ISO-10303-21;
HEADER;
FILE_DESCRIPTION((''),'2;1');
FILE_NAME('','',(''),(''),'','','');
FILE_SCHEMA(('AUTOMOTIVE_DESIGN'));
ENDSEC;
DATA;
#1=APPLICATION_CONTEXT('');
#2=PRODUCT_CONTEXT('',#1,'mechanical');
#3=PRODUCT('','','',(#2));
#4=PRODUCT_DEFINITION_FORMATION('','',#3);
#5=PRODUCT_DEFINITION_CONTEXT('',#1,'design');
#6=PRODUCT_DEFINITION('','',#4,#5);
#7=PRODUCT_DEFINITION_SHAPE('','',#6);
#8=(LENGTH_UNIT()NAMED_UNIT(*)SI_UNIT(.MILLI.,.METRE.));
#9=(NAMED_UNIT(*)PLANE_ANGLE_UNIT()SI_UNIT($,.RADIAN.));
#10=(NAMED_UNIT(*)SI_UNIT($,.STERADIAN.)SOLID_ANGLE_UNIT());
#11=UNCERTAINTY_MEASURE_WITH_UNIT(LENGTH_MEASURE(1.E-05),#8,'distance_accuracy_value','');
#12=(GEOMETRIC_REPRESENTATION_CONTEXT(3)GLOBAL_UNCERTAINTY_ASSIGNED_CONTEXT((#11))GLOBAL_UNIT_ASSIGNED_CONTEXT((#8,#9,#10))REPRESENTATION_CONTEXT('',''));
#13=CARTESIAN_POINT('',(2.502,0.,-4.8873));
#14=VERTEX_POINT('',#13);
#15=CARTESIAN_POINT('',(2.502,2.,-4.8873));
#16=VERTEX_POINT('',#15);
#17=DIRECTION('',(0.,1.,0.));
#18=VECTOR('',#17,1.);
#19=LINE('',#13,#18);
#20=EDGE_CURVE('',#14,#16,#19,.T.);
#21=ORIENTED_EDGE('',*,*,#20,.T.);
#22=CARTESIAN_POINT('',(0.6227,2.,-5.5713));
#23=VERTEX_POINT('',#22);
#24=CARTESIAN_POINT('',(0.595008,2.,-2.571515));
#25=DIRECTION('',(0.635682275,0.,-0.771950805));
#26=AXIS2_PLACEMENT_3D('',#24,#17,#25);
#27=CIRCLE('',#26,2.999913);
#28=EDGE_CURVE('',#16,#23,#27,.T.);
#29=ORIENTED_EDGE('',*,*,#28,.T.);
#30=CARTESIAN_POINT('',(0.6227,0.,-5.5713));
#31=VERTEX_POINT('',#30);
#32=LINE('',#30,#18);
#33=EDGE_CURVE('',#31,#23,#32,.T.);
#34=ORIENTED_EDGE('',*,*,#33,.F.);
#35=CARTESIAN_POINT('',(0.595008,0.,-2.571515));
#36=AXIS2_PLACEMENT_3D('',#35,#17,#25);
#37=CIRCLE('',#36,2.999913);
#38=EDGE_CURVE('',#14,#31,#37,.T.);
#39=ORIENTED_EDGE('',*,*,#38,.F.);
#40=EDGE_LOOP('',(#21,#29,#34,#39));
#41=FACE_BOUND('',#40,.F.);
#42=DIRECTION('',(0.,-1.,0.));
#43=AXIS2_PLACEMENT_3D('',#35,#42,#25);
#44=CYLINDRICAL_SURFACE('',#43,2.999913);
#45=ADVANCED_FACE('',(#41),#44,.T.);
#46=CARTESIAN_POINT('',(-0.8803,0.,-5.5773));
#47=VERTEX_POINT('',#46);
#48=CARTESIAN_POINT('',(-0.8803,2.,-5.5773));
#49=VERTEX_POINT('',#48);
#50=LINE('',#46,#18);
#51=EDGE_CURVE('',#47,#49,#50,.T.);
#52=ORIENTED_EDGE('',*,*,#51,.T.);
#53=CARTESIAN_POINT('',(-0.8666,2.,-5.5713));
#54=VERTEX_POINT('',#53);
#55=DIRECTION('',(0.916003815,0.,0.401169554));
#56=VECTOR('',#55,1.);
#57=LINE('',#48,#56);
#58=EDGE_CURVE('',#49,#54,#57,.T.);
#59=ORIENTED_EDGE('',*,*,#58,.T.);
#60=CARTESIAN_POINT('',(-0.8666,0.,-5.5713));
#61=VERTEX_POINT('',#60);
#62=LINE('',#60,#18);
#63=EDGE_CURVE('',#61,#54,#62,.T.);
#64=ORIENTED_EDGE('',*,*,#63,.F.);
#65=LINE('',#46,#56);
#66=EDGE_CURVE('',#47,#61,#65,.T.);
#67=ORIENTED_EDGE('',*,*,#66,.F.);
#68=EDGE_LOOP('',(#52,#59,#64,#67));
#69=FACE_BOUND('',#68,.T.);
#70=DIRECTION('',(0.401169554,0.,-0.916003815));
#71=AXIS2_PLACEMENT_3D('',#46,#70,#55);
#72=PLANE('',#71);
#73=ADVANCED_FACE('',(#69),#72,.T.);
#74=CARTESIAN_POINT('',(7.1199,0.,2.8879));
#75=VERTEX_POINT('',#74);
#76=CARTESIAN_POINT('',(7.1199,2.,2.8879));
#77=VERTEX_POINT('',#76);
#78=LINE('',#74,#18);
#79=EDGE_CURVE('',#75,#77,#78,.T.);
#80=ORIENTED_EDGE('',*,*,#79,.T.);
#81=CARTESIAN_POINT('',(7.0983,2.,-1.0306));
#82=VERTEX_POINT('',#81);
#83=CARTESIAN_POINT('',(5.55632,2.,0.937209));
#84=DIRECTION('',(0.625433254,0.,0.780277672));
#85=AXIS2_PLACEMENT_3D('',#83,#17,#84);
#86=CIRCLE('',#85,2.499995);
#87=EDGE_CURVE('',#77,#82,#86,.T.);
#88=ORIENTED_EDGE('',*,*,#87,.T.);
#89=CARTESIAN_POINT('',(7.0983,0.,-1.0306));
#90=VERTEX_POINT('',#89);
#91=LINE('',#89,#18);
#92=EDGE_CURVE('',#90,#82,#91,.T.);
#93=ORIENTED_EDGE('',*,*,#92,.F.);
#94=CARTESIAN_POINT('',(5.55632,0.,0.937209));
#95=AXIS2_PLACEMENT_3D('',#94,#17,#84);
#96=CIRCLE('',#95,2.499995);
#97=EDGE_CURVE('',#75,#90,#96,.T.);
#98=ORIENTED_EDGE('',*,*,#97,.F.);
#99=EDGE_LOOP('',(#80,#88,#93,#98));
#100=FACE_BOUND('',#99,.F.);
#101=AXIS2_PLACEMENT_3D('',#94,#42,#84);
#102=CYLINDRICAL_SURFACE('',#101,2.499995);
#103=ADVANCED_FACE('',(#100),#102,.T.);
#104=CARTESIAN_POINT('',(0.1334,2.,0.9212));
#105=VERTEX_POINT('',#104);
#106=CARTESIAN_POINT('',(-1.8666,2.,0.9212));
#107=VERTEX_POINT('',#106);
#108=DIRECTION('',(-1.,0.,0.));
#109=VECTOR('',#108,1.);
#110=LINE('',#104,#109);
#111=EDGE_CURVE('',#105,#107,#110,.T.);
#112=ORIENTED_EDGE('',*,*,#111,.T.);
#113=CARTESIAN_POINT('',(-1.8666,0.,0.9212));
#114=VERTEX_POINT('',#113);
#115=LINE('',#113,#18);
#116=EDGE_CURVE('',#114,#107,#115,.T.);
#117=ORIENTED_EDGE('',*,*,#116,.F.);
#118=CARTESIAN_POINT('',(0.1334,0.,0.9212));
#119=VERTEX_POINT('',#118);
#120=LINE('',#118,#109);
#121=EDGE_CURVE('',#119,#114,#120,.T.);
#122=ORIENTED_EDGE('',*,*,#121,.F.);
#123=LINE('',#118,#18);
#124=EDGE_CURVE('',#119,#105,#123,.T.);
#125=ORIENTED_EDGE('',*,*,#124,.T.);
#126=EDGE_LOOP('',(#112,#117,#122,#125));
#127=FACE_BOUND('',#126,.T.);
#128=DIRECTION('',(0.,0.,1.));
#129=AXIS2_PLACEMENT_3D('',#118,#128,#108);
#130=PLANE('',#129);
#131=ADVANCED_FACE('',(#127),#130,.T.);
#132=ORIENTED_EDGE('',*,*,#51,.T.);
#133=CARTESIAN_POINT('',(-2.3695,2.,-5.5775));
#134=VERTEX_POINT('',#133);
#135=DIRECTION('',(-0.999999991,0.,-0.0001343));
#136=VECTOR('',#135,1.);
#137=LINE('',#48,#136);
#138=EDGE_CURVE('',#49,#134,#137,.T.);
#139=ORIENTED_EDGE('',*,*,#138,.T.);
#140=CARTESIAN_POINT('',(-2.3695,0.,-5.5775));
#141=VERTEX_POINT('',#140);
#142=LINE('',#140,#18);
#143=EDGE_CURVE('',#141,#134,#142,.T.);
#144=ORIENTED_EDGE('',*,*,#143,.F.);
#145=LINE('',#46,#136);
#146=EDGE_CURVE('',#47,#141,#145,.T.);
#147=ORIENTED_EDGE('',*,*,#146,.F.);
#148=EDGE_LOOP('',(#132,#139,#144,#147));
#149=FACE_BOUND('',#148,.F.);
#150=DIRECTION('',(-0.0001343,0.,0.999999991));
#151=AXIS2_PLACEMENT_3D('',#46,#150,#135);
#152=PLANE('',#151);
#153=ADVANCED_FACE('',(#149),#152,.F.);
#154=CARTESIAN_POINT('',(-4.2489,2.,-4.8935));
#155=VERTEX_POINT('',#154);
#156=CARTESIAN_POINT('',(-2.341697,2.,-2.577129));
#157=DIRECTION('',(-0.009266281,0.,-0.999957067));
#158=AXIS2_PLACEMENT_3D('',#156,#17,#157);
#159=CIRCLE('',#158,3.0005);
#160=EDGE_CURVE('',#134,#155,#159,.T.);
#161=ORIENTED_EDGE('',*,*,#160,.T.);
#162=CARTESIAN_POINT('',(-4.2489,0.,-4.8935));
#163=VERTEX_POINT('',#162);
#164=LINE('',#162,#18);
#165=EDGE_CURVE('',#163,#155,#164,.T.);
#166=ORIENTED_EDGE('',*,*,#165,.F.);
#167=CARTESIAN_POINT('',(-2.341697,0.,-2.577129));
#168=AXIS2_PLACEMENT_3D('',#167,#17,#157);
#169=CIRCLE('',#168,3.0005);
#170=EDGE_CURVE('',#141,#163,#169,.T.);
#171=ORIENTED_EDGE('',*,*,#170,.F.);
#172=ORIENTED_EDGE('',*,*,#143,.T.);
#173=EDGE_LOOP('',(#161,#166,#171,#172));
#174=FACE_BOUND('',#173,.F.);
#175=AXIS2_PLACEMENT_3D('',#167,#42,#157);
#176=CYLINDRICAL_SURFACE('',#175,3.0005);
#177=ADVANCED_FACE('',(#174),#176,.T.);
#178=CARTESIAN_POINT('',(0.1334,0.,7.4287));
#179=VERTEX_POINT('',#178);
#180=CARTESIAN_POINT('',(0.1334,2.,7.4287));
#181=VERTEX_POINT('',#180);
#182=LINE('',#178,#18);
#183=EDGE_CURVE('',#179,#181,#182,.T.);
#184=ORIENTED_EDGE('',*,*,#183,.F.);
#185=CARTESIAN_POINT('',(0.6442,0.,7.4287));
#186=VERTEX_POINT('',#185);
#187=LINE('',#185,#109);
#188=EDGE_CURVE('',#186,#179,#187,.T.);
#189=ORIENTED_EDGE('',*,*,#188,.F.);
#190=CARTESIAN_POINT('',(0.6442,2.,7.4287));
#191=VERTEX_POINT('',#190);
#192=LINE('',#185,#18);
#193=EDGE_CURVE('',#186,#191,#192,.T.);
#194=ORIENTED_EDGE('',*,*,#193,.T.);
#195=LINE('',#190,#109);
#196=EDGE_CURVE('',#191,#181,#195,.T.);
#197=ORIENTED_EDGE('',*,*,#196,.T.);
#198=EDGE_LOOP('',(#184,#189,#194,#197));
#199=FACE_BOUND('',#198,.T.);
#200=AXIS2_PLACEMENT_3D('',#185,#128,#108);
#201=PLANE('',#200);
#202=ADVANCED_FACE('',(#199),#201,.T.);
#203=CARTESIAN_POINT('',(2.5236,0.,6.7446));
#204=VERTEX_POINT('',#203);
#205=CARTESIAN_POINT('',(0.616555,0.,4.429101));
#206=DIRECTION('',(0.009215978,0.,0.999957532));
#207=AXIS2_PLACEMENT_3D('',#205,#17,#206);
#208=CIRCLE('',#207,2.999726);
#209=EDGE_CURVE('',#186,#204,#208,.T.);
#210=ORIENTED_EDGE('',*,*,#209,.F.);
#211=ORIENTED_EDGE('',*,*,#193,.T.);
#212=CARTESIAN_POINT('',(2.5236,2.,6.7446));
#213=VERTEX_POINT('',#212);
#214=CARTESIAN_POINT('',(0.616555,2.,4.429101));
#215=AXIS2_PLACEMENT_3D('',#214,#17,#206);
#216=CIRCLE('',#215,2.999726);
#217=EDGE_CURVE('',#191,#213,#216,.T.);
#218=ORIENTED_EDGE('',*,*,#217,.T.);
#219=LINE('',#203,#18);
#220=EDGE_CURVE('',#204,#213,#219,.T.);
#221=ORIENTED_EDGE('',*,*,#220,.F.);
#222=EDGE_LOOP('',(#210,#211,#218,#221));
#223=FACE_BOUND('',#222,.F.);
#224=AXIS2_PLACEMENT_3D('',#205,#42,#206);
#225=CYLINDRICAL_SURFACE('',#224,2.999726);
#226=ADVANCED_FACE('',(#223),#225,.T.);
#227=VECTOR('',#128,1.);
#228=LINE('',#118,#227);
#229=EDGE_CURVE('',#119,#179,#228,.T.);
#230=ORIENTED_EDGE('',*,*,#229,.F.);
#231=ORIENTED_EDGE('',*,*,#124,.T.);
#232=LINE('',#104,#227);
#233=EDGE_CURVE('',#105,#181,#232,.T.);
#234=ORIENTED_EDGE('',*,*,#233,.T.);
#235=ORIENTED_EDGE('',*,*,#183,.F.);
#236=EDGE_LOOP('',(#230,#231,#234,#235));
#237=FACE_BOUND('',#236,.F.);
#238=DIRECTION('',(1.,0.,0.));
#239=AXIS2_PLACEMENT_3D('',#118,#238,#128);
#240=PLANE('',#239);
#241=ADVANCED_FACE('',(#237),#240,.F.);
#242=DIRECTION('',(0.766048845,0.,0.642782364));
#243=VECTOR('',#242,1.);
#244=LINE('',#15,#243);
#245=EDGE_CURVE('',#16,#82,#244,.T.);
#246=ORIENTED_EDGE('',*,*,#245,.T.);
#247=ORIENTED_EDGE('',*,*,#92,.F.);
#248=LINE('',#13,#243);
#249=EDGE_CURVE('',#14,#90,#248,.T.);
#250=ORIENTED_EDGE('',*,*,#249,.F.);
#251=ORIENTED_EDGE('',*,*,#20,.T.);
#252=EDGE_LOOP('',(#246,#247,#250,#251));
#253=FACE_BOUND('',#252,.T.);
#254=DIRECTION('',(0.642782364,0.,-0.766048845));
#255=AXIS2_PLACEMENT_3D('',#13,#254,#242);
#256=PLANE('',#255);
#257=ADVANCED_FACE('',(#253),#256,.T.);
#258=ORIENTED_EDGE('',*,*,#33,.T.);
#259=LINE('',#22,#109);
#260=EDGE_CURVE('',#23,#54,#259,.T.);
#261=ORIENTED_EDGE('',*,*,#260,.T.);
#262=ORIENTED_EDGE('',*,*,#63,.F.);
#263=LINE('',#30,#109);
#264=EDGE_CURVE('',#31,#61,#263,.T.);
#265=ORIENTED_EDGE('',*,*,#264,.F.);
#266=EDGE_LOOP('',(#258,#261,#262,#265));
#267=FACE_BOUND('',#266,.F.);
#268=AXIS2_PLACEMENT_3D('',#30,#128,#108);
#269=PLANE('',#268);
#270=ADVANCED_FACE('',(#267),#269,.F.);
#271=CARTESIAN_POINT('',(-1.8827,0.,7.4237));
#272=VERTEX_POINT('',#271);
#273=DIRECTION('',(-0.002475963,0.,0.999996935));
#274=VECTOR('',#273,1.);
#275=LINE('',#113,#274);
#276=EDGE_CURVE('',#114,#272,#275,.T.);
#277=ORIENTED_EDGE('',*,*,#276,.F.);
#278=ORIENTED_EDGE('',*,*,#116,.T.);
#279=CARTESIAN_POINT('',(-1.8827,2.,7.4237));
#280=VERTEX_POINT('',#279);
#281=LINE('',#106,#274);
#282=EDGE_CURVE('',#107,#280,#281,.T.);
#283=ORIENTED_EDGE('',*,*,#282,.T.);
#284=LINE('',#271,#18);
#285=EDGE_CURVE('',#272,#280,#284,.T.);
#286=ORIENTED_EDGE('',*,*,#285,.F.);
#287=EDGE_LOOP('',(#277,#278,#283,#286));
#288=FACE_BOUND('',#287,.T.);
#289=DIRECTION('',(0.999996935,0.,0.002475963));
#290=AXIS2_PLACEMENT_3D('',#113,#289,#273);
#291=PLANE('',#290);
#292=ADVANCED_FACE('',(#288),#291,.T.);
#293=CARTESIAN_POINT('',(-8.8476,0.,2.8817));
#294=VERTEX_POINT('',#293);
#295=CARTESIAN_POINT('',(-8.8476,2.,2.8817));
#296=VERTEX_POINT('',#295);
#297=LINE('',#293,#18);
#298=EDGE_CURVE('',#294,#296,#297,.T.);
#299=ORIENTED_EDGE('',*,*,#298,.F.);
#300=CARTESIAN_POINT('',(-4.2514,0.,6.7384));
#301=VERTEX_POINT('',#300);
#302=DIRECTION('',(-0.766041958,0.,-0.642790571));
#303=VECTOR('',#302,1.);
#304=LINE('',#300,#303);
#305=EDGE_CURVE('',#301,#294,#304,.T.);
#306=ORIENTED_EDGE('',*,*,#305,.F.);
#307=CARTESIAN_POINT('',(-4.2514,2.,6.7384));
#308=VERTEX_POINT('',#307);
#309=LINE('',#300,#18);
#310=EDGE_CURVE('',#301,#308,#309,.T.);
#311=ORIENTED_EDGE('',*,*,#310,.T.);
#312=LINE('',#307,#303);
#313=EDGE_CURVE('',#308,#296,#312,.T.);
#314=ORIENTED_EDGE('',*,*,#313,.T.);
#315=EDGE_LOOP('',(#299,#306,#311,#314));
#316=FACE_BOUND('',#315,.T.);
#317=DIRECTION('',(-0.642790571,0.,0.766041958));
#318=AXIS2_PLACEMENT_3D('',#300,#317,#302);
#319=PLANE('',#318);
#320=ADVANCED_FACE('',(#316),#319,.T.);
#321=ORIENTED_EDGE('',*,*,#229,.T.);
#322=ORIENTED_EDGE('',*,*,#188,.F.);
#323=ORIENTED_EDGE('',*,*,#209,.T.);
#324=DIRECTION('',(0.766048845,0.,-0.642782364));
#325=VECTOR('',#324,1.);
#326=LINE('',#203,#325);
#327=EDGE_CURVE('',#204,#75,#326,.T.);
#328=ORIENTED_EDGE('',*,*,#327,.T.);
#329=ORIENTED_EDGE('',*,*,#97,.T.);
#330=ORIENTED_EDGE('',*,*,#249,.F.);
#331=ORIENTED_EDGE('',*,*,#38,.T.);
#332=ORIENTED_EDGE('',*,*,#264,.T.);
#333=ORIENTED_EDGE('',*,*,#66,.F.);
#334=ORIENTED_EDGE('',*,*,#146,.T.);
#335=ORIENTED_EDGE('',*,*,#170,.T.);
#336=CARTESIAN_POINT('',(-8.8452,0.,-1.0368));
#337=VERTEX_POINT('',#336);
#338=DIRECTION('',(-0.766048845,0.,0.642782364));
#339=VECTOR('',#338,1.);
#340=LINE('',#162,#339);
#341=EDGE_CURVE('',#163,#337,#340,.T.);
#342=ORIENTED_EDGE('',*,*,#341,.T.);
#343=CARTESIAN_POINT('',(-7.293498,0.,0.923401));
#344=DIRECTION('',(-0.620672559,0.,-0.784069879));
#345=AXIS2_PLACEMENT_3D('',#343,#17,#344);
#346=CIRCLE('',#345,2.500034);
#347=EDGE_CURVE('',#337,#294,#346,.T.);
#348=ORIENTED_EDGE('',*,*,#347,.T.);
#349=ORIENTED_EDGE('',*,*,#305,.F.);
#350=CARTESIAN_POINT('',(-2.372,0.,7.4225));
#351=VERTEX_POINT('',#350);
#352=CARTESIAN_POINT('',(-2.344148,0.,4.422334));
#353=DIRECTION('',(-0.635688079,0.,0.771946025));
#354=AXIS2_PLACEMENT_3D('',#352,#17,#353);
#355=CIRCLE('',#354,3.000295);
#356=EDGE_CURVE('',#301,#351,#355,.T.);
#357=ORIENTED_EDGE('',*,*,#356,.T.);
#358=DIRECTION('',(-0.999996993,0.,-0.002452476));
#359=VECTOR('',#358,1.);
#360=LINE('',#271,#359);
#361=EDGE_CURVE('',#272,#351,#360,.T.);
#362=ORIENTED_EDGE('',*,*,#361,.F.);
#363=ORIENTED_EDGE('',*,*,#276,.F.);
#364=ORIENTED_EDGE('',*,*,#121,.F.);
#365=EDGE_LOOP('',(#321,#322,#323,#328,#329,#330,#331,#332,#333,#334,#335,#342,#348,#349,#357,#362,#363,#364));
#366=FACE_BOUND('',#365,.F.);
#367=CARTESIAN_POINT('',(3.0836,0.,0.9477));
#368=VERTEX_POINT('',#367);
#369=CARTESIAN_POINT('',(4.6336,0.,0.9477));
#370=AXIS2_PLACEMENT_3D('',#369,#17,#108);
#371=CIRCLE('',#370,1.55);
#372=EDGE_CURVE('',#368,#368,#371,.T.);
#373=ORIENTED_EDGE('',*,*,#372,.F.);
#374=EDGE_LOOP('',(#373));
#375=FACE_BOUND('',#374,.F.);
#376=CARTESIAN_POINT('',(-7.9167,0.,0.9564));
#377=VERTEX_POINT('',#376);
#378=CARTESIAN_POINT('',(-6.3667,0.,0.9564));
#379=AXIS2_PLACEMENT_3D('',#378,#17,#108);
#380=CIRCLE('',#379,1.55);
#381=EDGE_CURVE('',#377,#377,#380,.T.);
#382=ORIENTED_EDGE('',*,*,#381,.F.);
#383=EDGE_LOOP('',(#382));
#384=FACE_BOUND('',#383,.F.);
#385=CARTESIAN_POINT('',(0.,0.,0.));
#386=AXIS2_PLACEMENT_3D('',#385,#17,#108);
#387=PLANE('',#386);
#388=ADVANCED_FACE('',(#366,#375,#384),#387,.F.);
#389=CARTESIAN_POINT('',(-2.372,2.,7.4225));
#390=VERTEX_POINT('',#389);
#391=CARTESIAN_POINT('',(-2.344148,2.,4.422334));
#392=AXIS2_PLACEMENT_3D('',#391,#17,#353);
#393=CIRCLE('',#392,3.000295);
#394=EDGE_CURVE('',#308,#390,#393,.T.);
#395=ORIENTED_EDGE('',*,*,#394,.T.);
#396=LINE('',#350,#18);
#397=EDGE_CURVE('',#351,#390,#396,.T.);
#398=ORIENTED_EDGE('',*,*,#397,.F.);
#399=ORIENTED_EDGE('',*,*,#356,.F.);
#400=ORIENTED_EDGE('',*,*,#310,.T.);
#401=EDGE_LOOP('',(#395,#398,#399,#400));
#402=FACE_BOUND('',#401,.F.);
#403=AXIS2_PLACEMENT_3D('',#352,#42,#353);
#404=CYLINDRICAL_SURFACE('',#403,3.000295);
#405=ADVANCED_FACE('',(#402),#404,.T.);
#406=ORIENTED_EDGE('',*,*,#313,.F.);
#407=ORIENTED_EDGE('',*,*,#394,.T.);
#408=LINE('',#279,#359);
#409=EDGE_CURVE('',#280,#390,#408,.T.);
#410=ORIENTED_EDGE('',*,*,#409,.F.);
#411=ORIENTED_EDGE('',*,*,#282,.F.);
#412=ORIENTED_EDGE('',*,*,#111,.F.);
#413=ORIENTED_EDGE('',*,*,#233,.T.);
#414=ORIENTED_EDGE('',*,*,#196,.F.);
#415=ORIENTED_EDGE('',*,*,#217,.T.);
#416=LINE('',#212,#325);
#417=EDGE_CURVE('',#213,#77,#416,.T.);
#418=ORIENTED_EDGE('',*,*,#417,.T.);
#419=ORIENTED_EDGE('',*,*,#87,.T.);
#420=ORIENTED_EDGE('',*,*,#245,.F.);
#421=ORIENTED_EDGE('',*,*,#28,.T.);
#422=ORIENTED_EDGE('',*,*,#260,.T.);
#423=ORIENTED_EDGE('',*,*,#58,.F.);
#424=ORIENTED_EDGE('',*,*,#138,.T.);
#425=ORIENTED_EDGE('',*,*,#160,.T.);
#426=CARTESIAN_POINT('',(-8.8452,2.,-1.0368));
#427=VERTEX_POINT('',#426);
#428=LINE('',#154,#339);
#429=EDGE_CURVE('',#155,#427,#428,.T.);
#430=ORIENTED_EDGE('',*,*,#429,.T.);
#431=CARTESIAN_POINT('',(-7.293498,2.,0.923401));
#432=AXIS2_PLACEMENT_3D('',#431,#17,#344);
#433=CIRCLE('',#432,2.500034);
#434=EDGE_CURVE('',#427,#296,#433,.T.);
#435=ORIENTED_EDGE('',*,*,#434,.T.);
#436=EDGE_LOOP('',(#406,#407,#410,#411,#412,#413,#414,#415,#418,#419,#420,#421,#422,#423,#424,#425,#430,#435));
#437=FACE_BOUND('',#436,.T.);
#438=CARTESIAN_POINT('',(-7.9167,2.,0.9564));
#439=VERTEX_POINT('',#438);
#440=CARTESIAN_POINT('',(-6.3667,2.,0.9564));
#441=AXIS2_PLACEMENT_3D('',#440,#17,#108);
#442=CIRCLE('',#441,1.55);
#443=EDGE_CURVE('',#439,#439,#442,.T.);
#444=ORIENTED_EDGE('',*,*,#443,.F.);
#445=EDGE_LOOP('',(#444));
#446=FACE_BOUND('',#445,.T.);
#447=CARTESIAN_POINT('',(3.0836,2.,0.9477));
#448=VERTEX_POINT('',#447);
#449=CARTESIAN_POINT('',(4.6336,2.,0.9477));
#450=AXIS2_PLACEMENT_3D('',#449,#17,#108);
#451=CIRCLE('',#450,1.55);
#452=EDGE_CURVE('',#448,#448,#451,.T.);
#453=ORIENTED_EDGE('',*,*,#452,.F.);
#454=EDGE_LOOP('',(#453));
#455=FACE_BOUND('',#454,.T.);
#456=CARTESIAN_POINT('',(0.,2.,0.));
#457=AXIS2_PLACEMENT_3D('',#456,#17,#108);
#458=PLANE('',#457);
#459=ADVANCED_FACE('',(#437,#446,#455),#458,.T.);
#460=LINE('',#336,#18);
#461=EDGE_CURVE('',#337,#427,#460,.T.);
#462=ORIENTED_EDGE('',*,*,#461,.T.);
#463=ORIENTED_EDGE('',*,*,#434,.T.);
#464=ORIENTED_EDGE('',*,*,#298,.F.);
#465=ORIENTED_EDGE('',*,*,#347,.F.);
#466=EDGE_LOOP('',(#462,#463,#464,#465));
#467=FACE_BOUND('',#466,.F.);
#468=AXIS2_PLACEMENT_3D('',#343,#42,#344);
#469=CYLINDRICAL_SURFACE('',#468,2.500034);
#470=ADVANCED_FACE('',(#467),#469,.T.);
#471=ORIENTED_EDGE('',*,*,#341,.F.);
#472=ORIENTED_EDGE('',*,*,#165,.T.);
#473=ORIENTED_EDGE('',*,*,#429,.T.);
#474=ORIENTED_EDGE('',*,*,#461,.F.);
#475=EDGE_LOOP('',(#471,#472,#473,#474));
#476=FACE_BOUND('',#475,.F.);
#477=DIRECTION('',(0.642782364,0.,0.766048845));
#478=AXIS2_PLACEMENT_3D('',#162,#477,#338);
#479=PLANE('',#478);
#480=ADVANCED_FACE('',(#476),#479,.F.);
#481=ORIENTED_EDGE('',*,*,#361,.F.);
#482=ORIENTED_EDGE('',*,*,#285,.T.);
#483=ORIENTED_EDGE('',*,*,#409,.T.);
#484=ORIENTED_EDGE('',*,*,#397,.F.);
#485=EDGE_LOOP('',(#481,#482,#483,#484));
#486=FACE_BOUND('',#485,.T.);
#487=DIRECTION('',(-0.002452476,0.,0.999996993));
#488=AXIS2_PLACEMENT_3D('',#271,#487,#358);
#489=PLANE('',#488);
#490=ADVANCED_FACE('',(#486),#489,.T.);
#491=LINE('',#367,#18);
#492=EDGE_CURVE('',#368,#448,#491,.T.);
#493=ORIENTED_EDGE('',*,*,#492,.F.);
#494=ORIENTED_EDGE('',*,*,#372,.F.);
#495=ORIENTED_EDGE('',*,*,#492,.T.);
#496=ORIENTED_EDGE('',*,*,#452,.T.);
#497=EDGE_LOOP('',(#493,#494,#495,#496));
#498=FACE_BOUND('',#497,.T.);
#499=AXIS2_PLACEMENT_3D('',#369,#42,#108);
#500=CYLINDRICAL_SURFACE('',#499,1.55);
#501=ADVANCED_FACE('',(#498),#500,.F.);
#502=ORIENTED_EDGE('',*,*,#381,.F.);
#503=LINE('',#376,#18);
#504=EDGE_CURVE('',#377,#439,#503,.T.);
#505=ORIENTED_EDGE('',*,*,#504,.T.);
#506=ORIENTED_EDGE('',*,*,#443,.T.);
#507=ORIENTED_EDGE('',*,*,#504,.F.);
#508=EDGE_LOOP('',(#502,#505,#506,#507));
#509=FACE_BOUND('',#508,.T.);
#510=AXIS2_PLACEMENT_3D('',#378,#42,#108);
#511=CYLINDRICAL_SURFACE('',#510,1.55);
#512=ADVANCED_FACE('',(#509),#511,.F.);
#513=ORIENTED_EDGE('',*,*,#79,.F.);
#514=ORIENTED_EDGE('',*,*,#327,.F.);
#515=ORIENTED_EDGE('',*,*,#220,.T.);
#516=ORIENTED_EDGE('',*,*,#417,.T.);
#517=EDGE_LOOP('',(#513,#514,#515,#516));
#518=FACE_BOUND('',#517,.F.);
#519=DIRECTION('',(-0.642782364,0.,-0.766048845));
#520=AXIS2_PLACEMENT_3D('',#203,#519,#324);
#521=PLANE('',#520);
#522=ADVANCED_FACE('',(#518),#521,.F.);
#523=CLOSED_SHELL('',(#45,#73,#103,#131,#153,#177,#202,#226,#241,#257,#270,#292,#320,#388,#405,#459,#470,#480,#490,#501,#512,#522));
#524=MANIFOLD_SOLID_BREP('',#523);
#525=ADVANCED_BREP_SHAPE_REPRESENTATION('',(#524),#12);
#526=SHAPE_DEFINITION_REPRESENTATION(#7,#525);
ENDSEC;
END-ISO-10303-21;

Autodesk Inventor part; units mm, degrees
ref_plane "YZ Plane" through (0, 0, 0) normal (1, 0, 0) x (0, 1, 0)
ref_plane "XZ Plane" through (0, 0, 0) normal (0, 1, 0) x (-1, 0, 0)
ref_plane "XY Plane" through (0, 0, 0) normal (0, 0, 1) x (1, 0, 0)
sketch "Sketch1" plane through (0, 0, 0) normal (0, 1, 0) x (-1, 0, 0)
  line L0 (4.2489, -4.8935) -> (8.8452, -1.0368)
  line L1 (-0.6227, -5.5713) -> (0.8666, -5.5713)
  arc A0 (2.3695, -5.5775) -> (4.2489, -4.8935) centre (2.3418, -2.5777) ccw
  line L2 (0.8803, -5.5773) -> (2.3695, -5.5775)
  arc A1 (-2.502, -4.8873) -> (-0.6227, -5.5713) centre (-0.595, -2.5715) ccw
  circle A2 centre (6.3667, 0.9564) radius 1.55
  arc A3 (8.8452, -1.0368) -> (8.8476, 2.8817) centre (7.2935, 0.9234) ccw
  line L3 (-0.1334, 0.9212) -> (1.8666, 0.9212)
  arc A4 (-0.6442, 7.4287) -> (-2.5236, 6.7446) centre (-0.6165, 4.4288) ccw
  line L4 (-0.6442, 7.4287) -> (-0.1334, 7.4287)
  line L5 (-0.1334, 0.9212) -> (-0.1334, 7.4287)
  line L6 (1.8666, 0.9212) -> (1.8827, 7.4237)
  line L7 (1.8827, 7.4237) -> (2.372, 7.4225)
  arc A5 (4.2514, 6.7384) -> (2.372, 7.4225) centre (2.3443, 4.4226) ccw
  line L8 (4.2514, 6.7384) -> (8.8476, 2.8817)
  line L9 (-2.502, -4.8873) -> (-7.0983, -1.0306)
  line L10 (-2.5236, 6.7446) -> (-7.1199, 2.8879)
  circle A6 centre (-4.6336, 0.9477) radius 1.55
  arc A7 (-7.1199, 2.8879) -> (-7.0983, -1.0306) centre (-5.5563, 0.9372) ccw
  line L11 (0.8803, -5.5773) -> (0.8666, -5.5713)
  point P0 (0, 0)
  dimension "d0" = 2
  dimension "d1" = 3
  dimension "d2" = 2
  dimension "d3" = 3
  dimension "d4" = 2
  dimension "d5" = 3
  dimension "d6" = 2
  dimension "d7" = 3
  dimension "d8" = 3.1
  dimension "d9" = 3.1
  dimension "d10" = 6
  dimension "d11" = 6
  dimension "d12" = 2.5
  dimension "d13" = 6
  dimension "d14" = 6
  dimension "d15" = 2.5
extrude "Extrusion1" add sketch "Sketch1" along normal blind 2
properties part number "back_lock"
